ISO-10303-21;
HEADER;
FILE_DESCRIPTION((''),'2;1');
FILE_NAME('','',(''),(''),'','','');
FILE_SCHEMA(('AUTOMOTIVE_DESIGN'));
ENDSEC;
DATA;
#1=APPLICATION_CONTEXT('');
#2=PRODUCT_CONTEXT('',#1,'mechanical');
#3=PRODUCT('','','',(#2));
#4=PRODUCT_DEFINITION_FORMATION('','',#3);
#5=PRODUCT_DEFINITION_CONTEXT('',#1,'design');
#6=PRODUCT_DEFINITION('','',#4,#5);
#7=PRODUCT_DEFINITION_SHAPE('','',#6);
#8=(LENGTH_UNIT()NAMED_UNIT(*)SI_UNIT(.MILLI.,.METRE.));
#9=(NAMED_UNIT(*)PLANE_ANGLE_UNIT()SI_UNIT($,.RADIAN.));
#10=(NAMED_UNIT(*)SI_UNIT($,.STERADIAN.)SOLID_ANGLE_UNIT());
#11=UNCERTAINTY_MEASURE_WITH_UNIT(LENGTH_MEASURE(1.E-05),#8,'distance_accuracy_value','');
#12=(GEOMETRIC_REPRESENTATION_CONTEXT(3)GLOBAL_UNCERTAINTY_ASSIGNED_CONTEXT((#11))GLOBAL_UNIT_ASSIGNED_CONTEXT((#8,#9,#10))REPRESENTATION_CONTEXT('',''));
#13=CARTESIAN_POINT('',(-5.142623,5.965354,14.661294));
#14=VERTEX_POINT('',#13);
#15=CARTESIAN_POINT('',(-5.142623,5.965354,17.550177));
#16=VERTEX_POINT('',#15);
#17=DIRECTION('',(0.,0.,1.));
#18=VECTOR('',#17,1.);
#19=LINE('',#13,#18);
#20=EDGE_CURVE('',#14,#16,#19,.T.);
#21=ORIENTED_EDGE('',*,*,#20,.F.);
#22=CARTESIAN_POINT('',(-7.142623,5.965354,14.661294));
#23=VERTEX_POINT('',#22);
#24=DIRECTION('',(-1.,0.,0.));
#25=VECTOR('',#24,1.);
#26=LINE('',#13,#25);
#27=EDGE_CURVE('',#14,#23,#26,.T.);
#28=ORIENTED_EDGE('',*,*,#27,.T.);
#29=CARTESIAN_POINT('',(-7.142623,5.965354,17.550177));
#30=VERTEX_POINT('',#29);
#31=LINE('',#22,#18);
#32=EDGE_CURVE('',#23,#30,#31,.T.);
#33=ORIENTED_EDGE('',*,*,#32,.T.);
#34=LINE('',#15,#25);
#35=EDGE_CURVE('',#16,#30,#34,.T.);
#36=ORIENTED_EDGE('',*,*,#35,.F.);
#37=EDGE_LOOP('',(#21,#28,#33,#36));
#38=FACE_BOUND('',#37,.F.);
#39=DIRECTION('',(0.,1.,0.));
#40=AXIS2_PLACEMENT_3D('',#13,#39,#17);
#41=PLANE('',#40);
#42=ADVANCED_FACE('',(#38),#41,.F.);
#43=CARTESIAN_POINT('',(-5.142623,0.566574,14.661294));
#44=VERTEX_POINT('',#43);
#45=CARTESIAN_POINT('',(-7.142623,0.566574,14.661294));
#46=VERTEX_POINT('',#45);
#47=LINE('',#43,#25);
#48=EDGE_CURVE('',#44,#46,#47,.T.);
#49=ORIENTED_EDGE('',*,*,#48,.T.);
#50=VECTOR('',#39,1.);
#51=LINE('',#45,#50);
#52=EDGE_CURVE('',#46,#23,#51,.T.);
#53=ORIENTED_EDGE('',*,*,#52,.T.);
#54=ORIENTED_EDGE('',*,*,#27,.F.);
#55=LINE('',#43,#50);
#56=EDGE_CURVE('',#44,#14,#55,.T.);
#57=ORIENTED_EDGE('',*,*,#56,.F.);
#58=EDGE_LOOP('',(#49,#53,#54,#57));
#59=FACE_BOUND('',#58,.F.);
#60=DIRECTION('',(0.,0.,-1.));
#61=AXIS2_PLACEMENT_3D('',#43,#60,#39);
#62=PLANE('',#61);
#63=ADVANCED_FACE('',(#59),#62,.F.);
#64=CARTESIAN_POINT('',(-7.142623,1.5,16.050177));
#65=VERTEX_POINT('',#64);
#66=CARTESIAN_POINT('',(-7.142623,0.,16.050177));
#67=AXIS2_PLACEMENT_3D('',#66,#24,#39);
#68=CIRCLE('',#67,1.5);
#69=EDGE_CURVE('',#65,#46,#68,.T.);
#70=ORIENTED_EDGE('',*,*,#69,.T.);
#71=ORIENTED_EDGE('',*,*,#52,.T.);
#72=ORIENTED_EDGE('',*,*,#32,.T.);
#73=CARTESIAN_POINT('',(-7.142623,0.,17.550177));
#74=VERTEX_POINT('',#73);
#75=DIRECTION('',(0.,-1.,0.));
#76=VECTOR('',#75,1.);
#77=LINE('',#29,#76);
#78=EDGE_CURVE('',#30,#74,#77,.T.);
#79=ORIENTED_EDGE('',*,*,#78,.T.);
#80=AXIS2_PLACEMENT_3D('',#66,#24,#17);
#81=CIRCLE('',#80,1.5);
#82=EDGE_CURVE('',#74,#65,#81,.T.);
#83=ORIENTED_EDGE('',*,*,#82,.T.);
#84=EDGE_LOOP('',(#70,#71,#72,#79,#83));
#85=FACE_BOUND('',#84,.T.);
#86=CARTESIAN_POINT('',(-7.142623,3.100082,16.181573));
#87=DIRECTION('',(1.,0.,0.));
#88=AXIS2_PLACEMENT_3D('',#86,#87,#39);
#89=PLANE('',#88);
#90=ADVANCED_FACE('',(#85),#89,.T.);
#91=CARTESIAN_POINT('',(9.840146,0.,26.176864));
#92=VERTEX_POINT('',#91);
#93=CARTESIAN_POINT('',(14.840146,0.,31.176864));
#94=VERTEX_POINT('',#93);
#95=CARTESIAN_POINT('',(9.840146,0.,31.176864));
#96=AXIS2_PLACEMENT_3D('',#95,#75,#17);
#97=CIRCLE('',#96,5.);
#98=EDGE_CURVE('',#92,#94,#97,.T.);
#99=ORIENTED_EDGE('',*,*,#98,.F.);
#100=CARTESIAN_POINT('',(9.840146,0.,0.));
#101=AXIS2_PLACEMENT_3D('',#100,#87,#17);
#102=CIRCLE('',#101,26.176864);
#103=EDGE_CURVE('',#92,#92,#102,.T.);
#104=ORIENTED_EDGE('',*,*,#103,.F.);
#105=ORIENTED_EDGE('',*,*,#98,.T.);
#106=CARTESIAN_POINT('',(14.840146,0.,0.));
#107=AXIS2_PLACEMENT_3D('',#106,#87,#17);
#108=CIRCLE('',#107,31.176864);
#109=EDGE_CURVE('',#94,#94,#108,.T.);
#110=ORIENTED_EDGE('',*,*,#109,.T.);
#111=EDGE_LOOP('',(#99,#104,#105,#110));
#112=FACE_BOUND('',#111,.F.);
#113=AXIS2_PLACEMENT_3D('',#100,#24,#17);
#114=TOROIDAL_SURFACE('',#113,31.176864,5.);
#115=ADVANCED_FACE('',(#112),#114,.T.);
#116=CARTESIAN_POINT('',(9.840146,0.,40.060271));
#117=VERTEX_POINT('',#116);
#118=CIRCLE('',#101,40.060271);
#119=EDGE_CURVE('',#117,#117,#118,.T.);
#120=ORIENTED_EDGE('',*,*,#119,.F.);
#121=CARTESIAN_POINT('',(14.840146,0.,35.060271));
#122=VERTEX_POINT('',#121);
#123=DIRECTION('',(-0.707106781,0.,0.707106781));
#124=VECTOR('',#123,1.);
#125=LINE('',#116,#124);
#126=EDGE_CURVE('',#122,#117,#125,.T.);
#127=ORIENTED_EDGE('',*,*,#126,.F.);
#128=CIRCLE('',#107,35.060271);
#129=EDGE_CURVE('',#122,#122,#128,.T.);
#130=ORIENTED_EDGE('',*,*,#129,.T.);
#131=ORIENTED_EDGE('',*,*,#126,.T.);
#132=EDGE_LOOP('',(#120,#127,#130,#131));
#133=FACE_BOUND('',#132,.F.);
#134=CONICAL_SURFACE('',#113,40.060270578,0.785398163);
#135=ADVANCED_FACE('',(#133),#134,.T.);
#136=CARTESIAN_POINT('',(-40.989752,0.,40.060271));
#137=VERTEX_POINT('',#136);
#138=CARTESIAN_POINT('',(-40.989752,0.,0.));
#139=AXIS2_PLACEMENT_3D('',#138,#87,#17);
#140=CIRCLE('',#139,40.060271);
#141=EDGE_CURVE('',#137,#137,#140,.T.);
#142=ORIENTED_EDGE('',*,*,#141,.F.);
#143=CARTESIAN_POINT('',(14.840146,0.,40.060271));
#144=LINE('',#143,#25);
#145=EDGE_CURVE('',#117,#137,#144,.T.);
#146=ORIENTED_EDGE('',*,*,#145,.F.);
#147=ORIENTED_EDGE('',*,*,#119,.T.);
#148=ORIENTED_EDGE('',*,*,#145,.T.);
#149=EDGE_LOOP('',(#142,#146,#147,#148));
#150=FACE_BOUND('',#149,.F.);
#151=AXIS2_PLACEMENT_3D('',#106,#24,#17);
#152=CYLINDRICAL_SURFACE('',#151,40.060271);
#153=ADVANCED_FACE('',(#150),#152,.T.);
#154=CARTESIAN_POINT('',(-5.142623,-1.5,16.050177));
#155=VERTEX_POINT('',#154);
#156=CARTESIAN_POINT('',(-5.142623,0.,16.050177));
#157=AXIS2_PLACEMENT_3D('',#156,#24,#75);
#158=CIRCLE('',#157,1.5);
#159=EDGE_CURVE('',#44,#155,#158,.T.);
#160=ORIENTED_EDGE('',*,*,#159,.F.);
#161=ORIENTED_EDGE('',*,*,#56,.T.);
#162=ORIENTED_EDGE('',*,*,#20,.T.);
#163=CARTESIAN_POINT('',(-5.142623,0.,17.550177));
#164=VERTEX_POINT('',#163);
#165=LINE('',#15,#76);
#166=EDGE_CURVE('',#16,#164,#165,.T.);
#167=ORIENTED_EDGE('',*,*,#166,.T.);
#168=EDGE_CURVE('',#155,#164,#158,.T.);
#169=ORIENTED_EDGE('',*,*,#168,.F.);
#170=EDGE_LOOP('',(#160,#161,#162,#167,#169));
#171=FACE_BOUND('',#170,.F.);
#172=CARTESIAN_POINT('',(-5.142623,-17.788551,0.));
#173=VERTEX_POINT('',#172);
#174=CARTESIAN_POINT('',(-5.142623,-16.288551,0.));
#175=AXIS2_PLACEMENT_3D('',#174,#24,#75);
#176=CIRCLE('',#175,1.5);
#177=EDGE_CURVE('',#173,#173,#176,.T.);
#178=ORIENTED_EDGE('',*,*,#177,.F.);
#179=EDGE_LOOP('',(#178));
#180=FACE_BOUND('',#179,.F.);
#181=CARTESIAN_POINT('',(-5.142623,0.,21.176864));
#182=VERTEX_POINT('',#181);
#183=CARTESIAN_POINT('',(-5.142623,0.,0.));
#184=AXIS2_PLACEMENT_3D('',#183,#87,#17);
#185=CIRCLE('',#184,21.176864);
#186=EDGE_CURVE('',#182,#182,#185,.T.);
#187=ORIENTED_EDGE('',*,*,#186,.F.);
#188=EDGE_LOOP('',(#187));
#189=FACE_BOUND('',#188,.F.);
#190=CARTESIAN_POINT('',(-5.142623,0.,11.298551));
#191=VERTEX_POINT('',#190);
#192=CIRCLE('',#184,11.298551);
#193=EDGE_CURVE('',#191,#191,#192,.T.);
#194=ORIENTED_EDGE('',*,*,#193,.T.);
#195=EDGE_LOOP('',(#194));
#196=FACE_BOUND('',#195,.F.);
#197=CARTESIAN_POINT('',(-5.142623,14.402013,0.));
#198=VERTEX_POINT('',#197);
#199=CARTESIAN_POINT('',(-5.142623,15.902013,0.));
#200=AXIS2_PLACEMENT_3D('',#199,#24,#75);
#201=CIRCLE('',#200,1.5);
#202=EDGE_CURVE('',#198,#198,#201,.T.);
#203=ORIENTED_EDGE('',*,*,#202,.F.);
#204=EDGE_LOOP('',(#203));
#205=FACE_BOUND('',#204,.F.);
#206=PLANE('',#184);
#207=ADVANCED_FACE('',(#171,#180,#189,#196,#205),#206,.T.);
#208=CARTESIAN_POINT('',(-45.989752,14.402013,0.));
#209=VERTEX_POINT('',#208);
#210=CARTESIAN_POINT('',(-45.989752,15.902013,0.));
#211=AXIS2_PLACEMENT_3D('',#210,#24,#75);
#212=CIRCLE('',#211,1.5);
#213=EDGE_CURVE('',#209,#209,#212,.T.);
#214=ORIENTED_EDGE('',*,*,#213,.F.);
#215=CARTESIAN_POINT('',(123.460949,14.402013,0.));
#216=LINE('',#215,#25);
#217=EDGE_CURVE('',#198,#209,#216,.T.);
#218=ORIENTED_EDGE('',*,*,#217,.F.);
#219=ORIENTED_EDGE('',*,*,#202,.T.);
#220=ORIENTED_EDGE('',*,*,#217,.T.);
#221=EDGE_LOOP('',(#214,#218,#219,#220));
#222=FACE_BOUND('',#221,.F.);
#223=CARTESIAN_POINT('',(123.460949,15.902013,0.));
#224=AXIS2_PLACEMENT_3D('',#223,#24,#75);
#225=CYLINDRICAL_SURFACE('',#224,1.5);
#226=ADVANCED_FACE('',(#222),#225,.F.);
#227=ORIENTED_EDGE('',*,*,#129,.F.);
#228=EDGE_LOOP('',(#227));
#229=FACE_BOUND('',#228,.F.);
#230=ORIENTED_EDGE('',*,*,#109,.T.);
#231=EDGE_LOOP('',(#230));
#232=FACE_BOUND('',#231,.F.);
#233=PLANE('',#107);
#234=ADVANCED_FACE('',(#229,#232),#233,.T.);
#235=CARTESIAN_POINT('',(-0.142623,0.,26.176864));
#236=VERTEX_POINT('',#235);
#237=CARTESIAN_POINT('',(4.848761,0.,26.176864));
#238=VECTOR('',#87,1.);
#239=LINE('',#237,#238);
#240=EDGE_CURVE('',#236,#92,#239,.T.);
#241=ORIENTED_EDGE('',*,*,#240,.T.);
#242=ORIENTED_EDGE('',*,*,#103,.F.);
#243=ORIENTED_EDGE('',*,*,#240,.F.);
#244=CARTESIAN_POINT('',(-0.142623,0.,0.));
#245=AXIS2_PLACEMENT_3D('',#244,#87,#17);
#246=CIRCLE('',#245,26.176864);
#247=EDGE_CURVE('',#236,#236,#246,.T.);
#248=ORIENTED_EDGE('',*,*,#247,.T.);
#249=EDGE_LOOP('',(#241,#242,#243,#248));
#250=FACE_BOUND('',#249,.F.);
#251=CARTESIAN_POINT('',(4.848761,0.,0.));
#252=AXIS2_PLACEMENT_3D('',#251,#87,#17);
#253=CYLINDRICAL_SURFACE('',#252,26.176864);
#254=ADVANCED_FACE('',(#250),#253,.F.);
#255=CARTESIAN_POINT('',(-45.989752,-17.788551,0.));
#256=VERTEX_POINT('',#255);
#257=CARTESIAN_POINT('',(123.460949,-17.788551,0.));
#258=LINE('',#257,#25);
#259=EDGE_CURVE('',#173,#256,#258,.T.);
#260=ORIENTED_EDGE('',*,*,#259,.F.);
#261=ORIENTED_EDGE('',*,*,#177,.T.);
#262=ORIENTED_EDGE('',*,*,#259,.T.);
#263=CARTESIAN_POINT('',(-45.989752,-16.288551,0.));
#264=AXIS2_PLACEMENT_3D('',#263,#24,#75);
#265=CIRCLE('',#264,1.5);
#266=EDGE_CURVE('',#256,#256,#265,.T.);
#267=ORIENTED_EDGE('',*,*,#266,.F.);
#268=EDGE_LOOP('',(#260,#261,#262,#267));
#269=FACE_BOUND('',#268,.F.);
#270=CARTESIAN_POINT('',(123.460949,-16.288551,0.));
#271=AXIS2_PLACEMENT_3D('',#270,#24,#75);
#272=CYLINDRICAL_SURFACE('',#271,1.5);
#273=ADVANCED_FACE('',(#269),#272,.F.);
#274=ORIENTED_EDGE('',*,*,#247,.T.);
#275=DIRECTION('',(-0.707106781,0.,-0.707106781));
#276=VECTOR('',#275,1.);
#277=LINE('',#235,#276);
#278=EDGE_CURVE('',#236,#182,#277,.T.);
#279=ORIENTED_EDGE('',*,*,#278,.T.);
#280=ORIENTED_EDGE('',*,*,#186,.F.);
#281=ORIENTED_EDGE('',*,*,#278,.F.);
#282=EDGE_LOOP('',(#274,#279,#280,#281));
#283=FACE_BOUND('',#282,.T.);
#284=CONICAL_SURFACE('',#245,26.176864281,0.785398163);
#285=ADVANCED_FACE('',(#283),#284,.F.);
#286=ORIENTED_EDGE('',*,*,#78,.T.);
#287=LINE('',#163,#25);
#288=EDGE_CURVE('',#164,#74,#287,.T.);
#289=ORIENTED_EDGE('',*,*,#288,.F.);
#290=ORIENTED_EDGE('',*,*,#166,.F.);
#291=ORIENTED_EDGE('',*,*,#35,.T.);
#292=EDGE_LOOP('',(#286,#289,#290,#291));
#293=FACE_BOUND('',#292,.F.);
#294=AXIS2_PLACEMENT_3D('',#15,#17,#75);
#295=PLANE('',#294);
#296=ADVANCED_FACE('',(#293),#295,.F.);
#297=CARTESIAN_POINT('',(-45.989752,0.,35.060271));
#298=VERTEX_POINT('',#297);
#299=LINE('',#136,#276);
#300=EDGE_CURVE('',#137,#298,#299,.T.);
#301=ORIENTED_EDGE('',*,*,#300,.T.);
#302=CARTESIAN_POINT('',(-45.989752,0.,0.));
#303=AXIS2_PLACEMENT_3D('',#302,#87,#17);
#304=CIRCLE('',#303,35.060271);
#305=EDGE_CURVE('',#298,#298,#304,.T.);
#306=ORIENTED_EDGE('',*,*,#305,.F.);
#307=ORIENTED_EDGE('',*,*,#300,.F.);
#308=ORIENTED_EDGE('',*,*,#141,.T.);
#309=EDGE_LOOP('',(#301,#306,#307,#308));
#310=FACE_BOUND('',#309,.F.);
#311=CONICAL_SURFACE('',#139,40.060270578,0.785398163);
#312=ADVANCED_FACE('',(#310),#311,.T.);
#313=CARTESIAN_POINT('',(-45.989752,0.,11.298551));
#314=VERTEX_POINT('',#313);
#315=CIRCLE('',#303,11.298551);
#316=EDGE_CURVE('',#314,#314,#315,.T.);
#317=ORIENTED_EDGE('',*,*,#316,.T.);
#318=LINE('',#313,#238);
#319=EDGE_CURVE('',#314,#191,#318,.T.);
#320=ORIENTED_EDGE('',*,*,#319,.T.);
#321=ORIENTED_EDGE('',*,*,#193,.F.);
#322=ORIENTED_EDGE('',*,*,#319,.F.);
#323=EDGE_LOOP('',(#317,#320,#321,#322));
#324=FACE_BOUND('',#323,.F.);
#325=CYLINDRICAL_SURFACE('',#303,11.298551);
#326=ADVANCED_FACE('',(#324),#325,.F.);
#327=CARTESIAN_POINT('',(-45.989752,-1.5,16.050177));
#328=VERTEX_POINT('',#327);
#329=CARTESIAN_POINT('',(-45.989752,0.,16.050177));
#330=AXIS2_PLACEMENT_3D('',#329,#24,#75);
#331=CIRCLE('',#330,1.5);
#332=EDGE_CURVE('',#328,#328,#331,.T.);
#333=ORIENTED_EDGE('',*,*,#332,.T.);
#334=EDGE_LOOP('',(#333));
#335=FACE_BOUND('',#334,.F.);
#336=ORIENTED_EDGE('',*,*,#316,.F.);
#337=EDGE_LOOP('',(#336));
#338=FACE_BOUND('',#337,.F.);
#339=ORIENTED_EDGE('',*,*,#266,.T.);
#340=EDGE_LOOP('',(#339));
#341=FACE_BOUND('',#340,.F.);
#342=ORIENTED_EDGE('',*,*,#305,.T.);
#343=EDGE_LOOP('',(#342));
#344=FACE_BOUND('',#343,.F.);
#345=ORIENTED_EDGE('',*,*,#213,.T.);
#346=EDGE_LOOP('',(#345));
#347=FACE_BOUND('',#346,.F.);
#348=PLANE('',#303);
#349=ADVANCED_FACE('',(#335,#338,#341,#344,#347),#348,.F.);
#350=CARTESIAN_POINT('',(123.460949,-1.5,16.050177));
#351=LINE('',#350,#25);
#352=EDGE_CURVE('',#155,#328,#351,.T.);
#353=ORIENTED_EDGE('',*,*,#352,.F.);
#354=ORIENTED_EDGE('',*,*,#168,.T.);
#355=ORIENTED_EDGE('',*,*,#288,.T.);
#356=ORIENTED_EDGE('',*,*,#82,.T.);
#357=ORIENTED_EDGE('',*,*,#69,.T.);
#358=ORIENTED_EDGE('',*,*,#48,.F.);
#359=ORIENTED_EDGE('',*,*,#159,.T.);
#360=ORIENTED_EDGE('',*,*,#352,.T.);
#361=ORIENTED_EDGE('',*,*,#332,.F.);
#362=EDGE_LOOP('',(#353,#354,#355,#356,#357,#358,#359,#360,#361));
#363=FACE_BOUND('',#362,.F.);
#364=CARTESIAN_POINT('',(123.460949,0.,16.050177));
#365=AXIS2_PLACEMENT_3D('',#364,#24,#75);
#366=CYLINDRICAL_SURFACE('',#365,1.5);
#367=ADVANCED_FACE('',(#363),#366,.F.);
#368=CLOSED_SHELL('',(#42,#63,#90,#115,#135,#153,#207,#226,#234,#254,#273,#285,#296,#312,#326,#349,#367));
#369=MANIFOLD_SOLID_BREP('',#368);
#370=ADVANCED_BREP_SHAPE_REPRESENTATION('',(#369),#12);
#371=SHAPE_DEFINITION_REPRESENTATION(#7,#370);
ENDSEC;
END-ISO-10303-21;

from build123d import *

# Parameters (mm, degrees)
F0_W      = 19.9827682227
F0_H      = 13.8834062964
F2_R      = 5
F3_SIZE   = 5
F5_D      = 3
F7_D      = 3
F9_D      = 3
F11_DEPTH = 2


with BuildPart() as f1:
    # F0 (on Front) → F1 (revolve)
    with BuildSketch(Plane.XZ):
        Polygon((-5.1426226273, 40.0602705777), (-45.9897518158, 40.0602705777), (-45.9897518158, 11.2985512242), (-5.1426226273, 11.2985512242), (-5.1426226273, 26.1768642813), align=None)
        with Locations((4.848761484, 33.1185674295)):
            Rectangle(F0_W, F0_H)
    revolve(axis=Axis((-8.3751268685, 0, 0), (1, 0, 0)))

    # F2
    f2_edges = [f1.edges().sort_by_distance(p)[0] for p in [
        (14.840146, 0, -26.176864),
    ]]
    fillet(f2_edges, radius=F2_R)

    # F3
    f3_edges = [f1.edges().sort_by_distance(p)[0] for p in [
        (-5.142623, 0, -26.176864),
        (14.840146, 0, -40.060271),
        (-45.989752, 0, -40.060271),
        (-15.574803, 0, 40.060271),
    ]]
    chamfer(f3_edges, length=F3_SIZE)

    # F5 (through all)
    with Locations(Plane.YZ.offset(-5.1426226273)):
        with Locations((-16.2885512242, 0)):
            Hole(F5_D / 2)

    # F7 (through all)
    with Locations(Plane.YZ.offset(-5.1426226273)):
        with Locations((15.9020125866, 0)):
            Hole(F7_D / 2)

    # F9 (through all)
    with Locations(Plane.YZ.offset(-5.1426226273)):
        with Locations((0, 16.050176695)):
            Hole(F9_D / 2)

    # F10 (on face) → F11 (cut)
    with BuildSketch(Plane.YZ.offset(-5.1426226273)):
        with BuildLine():
            Line((5.9653543867, 17.550176695), (0, 17.550176695))
            ThreePointArc((0, 17.550176695), (1.0606601718, 17.1108368668), (1.5, 16.050176695))
            ThreePointArc((1.5, 16.050176695), (1.2449620199, 15.2134750941), (0.5665739081, 14.6612944081))
            Line((0.5665739081, 14.6612944081), (5.9653543867, 14.6612944081))
            Line((5.9653543867, 14.6612944081), (5.9653543867, 17.550176695))
        make_face()
    extrude(amount=-F11_DEPTH, mode=Mode.SUBTRACT)


solid = f1.part
